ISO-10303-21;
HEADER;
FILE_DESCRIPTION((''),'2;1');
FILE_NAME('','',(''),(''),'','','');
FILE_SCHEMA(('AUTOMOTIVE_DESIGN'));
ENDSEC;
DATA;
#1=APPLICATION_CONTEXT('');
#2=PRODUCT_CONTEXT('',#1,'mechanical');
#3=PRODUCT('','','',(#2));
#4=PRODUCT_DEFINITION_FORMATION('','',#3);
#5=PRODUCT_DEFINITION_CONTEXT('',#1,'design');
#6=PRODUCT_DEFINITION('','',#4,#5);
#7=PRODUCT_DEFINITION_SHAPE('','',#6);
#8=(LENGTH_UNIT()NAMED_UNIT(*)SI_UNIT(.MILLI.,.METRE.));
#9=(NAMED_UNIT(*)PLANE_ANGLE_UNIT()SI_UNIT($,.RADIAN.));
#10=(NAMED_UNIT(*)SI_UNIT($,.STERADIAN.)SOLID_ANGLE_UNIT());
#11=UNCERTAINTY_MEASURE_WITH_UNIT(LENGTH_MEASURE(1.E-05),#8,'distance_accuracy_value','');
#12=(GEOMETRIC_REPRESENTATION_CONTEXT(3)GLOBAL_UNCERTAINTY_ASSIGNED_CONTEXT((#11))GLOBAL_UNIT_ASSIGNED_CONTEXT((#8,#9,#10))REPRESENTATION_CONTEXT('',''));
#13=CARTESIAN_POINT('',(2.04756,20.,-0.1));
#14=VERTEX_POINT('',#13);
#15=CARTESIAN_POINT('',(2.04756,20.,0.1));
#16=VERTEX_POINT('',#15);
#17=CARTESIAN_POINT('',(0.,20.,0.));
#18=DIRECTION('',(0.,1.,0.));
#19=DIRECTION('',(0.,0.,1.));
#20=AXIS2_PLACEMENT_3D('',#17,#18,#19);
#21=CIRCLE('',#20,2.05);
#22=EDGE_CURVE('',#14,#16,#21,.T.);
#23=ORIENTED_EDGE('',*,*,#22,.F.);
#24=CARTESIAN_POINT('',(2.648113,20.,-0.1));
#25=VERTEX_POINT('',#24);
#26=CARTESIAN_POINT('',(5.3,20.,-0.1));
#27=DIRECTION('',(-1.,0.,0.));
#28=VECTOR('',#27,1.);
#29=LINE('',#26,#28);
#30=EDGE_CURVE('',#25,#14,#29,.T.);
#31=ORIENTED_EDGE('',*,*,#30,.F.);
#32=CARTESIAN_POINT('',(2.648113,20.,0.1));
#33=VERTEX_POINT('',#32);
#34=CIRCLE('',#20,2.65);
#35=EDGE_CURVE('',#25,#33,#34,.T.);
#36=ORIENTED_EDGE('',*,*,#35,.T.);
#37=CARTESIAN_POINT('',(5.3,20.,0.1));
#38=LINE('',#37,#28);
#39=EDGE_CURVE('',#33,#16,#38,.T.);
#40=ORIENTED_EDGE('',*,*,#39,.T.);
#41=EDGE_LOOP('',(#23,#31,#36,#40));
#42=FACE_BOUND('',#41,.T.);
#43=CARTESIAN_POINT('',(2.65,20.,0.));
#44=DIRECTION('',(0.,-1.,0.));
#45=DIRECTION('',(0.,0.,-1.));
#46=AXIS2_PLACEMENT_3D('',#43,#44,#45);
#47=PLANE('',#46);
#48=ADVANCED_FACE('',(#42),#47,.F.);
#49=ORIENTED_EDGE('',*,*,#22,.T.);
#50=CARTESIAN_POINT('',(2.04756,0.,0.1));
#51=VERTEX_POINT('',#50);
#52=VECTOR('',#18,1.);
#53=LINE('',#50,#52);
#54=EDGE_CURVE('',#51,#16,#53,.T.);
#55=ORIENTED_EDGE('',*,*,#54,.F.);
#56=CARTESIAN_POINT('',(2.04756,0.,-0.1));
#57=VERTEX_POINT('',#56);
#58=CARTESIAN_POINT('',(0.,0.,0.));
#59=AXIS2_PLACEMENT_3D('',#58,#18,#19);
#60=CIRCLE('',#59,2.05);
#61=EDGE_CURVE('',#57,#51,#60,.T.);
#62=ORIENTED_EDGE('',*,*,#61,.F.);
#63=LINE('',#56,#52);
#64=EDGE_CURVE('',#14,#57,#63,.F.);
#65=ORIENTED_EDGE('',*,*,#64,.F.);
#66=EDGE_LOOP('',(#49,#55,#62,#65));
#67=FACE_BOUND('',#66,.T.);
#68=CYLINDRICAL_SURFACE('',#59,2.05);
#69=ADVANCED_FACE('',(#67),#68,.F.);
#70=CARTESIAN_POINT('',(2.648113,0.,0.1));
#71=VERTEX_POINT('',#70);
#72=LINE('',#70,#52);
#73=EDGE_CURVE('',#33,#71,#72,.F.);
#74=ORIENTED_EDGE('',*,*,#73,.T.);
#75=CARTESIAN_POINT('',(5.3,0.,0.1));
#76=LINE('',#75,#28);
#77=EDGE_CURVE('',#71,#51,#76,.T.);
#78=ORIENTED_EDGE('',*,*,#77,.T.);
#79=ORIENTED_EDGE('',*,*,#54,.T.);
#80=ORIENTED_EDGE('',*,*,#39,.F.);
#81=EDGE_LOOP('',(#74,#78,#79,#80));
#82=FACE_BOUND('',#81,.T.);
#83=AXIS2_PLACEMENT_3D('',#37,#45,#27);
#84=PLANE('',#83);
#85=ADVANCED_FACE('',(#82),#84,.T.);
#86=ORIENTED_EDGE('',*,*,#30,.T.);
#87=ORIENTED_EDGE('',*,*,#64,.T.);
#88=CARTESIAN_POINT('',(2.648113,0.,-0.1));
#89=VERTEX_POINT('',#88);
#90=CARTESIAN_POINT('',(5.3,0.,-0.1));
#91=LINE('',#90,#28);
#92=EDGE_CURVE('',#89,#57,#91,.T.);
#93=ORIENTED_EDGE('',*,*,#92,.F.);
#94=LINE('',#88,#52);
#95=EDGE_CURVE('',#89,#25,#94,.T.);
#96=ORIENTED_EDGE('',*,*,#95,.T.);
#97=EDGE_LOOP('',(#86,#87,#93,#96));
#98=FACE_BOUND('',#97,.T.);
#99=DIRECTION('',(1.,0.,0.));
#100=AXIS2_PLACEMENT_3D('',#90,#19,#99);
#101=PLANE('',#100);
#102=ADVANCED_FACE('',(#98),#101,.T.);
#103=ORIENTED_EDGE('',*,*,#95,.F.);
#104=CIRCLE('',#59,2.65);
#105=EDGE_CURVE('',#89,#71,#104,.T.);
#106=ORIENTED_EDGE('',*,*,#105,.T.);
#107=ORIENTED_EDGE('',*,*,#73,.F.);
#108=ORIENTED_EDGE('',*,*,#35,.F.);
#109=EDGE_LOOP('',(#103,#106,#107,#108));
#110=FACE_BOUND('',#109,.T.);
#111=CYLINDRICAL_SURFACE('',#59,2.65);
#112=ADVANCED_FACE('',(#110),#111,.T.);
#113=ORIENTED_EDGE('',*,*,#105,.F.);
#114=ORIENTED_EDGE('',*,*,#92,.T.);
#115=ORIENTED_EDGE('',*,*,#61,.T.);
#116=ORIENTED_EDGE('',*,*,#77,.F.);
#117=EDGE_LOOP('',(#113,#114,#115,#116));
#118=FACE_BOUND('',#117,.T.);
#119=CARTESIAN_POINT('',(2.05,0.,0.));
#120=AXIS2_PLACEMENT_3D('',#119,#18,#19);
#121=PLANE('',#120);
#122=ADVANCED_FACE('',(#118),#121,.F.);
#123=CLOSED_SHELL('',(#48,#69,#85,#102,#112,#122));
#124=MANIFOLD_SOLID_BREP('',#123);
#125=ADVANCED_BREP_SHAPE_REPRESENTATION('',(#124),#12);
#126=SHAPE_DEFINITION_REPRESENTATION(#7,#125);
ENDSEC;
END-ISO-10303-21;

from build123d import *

# Parameters (mm, degrees)
SKETCH1_W          = 0.6
SKETCH1_H          = 20
SKETCH2_W          = 0.2
SKETCH2_H          = 20
CUT_EXTRUDE1_DEPTH = 5.3


with BuildPart() as part:
    # Sketch1 → Revolve1 (revolve)
    with BuildSketch(Plane.XY, mode=Mode.PRIVATE) as revolve1_sk:
        with Locations((2.35, 10)):
            Rectangle(SKETCH1_W, SKETCH1_H)
    revolve(revolve1_sk.sketch.rotate(Axis((0, 0, 0), (0, 1, 0)), 270), axis=Axis((0, 0, 0), (0, 1, 0)))

    # Sketch2 → Cut-Extrude1 (cut)
    with BuildSketch(Plane(origin=(0, 0, 0), x_dir=(0, 0, -1), z_dir=(1, 0, 0))):
        with Locations((0, 10)):
            Rectangle(SKETCH2_W, SKETCH2_H)
    extrude(amount=CUT_EXTRUDE1_DEPTH, mode=Mode.SUBTRACT)


solid = part.part
